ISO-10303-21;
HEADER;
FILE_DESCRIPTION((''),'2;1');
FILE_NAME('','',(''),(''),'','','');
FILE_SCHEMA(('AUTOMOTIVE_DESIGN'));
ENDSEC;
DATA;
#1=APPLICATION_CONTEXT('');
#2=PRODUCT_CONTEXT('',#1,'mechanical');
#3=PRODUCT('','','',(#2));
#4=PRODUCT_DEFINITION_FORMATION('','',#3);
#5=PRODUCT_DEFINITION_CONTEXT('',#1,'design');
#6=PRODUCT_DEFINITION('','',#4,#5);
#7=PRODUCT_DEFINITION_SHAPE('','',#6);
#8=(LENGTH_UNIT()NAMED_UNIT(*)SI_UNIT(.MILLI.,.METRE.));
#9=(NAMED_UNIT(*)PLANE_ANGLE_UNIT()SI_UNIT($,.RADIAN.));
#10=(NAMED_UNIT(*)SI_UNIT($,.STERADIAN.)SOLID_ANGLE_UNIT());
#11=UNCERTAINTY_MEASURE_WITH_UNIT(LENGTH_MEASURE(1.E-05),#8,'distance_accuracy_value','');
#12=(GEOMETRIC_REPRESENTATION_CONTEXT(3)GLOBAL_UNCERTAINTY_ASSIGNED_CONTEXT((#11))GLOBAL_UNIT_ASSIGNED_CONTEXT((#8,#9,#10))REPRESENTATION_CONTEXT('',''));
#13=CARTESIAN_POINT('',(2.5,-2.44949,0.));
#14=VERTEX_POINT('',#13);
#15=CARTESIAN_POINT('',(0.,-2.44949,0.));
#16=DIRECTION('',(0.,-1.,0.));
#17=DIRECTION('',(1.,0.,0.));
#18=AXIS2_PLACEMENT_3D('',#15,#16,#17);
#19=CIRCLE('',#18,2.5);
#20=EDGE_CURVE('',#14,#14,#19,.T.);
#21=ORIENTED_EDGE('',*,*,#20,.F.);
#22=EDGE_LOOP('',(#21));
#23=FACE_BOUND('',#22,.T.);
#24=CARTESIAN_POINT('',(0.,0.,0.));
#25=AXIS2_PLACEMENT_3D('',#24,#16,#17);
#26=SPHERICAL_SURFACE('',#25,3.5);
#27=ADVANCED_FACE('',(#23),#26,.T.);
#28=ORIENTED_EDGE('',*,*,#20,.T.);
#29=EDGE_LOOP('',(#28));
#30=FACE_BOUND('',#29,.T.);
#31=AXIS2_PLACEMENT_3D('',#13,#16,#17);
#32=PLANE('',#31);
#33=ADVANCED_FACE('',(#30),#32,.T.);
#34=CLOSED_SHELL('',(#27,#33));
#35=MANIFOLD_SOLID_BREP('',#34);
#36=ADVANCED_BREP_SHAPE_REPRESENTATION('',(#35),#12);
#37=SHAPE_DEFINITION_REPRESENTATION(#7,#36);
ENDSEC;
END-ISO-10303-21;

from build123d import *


with BuildPart() as part:
    # Sketch1 → Revolve2 (revolve)
    with BuildSketch(Plane.XY):
        with BuildLine():
            Line((2.5, -2.449489743), (0, -2.449489743))
            Line((0, -2.449489743), (0, 3.5))
            ThreePointArc((0, 3.5), (3.226702194, 1.355873501), (2.5, -2.449489743))
        make_face()
    revolve(axis=Axis((0, -2.449489743, 0), (0, 1, 0)))


solid = part.part
